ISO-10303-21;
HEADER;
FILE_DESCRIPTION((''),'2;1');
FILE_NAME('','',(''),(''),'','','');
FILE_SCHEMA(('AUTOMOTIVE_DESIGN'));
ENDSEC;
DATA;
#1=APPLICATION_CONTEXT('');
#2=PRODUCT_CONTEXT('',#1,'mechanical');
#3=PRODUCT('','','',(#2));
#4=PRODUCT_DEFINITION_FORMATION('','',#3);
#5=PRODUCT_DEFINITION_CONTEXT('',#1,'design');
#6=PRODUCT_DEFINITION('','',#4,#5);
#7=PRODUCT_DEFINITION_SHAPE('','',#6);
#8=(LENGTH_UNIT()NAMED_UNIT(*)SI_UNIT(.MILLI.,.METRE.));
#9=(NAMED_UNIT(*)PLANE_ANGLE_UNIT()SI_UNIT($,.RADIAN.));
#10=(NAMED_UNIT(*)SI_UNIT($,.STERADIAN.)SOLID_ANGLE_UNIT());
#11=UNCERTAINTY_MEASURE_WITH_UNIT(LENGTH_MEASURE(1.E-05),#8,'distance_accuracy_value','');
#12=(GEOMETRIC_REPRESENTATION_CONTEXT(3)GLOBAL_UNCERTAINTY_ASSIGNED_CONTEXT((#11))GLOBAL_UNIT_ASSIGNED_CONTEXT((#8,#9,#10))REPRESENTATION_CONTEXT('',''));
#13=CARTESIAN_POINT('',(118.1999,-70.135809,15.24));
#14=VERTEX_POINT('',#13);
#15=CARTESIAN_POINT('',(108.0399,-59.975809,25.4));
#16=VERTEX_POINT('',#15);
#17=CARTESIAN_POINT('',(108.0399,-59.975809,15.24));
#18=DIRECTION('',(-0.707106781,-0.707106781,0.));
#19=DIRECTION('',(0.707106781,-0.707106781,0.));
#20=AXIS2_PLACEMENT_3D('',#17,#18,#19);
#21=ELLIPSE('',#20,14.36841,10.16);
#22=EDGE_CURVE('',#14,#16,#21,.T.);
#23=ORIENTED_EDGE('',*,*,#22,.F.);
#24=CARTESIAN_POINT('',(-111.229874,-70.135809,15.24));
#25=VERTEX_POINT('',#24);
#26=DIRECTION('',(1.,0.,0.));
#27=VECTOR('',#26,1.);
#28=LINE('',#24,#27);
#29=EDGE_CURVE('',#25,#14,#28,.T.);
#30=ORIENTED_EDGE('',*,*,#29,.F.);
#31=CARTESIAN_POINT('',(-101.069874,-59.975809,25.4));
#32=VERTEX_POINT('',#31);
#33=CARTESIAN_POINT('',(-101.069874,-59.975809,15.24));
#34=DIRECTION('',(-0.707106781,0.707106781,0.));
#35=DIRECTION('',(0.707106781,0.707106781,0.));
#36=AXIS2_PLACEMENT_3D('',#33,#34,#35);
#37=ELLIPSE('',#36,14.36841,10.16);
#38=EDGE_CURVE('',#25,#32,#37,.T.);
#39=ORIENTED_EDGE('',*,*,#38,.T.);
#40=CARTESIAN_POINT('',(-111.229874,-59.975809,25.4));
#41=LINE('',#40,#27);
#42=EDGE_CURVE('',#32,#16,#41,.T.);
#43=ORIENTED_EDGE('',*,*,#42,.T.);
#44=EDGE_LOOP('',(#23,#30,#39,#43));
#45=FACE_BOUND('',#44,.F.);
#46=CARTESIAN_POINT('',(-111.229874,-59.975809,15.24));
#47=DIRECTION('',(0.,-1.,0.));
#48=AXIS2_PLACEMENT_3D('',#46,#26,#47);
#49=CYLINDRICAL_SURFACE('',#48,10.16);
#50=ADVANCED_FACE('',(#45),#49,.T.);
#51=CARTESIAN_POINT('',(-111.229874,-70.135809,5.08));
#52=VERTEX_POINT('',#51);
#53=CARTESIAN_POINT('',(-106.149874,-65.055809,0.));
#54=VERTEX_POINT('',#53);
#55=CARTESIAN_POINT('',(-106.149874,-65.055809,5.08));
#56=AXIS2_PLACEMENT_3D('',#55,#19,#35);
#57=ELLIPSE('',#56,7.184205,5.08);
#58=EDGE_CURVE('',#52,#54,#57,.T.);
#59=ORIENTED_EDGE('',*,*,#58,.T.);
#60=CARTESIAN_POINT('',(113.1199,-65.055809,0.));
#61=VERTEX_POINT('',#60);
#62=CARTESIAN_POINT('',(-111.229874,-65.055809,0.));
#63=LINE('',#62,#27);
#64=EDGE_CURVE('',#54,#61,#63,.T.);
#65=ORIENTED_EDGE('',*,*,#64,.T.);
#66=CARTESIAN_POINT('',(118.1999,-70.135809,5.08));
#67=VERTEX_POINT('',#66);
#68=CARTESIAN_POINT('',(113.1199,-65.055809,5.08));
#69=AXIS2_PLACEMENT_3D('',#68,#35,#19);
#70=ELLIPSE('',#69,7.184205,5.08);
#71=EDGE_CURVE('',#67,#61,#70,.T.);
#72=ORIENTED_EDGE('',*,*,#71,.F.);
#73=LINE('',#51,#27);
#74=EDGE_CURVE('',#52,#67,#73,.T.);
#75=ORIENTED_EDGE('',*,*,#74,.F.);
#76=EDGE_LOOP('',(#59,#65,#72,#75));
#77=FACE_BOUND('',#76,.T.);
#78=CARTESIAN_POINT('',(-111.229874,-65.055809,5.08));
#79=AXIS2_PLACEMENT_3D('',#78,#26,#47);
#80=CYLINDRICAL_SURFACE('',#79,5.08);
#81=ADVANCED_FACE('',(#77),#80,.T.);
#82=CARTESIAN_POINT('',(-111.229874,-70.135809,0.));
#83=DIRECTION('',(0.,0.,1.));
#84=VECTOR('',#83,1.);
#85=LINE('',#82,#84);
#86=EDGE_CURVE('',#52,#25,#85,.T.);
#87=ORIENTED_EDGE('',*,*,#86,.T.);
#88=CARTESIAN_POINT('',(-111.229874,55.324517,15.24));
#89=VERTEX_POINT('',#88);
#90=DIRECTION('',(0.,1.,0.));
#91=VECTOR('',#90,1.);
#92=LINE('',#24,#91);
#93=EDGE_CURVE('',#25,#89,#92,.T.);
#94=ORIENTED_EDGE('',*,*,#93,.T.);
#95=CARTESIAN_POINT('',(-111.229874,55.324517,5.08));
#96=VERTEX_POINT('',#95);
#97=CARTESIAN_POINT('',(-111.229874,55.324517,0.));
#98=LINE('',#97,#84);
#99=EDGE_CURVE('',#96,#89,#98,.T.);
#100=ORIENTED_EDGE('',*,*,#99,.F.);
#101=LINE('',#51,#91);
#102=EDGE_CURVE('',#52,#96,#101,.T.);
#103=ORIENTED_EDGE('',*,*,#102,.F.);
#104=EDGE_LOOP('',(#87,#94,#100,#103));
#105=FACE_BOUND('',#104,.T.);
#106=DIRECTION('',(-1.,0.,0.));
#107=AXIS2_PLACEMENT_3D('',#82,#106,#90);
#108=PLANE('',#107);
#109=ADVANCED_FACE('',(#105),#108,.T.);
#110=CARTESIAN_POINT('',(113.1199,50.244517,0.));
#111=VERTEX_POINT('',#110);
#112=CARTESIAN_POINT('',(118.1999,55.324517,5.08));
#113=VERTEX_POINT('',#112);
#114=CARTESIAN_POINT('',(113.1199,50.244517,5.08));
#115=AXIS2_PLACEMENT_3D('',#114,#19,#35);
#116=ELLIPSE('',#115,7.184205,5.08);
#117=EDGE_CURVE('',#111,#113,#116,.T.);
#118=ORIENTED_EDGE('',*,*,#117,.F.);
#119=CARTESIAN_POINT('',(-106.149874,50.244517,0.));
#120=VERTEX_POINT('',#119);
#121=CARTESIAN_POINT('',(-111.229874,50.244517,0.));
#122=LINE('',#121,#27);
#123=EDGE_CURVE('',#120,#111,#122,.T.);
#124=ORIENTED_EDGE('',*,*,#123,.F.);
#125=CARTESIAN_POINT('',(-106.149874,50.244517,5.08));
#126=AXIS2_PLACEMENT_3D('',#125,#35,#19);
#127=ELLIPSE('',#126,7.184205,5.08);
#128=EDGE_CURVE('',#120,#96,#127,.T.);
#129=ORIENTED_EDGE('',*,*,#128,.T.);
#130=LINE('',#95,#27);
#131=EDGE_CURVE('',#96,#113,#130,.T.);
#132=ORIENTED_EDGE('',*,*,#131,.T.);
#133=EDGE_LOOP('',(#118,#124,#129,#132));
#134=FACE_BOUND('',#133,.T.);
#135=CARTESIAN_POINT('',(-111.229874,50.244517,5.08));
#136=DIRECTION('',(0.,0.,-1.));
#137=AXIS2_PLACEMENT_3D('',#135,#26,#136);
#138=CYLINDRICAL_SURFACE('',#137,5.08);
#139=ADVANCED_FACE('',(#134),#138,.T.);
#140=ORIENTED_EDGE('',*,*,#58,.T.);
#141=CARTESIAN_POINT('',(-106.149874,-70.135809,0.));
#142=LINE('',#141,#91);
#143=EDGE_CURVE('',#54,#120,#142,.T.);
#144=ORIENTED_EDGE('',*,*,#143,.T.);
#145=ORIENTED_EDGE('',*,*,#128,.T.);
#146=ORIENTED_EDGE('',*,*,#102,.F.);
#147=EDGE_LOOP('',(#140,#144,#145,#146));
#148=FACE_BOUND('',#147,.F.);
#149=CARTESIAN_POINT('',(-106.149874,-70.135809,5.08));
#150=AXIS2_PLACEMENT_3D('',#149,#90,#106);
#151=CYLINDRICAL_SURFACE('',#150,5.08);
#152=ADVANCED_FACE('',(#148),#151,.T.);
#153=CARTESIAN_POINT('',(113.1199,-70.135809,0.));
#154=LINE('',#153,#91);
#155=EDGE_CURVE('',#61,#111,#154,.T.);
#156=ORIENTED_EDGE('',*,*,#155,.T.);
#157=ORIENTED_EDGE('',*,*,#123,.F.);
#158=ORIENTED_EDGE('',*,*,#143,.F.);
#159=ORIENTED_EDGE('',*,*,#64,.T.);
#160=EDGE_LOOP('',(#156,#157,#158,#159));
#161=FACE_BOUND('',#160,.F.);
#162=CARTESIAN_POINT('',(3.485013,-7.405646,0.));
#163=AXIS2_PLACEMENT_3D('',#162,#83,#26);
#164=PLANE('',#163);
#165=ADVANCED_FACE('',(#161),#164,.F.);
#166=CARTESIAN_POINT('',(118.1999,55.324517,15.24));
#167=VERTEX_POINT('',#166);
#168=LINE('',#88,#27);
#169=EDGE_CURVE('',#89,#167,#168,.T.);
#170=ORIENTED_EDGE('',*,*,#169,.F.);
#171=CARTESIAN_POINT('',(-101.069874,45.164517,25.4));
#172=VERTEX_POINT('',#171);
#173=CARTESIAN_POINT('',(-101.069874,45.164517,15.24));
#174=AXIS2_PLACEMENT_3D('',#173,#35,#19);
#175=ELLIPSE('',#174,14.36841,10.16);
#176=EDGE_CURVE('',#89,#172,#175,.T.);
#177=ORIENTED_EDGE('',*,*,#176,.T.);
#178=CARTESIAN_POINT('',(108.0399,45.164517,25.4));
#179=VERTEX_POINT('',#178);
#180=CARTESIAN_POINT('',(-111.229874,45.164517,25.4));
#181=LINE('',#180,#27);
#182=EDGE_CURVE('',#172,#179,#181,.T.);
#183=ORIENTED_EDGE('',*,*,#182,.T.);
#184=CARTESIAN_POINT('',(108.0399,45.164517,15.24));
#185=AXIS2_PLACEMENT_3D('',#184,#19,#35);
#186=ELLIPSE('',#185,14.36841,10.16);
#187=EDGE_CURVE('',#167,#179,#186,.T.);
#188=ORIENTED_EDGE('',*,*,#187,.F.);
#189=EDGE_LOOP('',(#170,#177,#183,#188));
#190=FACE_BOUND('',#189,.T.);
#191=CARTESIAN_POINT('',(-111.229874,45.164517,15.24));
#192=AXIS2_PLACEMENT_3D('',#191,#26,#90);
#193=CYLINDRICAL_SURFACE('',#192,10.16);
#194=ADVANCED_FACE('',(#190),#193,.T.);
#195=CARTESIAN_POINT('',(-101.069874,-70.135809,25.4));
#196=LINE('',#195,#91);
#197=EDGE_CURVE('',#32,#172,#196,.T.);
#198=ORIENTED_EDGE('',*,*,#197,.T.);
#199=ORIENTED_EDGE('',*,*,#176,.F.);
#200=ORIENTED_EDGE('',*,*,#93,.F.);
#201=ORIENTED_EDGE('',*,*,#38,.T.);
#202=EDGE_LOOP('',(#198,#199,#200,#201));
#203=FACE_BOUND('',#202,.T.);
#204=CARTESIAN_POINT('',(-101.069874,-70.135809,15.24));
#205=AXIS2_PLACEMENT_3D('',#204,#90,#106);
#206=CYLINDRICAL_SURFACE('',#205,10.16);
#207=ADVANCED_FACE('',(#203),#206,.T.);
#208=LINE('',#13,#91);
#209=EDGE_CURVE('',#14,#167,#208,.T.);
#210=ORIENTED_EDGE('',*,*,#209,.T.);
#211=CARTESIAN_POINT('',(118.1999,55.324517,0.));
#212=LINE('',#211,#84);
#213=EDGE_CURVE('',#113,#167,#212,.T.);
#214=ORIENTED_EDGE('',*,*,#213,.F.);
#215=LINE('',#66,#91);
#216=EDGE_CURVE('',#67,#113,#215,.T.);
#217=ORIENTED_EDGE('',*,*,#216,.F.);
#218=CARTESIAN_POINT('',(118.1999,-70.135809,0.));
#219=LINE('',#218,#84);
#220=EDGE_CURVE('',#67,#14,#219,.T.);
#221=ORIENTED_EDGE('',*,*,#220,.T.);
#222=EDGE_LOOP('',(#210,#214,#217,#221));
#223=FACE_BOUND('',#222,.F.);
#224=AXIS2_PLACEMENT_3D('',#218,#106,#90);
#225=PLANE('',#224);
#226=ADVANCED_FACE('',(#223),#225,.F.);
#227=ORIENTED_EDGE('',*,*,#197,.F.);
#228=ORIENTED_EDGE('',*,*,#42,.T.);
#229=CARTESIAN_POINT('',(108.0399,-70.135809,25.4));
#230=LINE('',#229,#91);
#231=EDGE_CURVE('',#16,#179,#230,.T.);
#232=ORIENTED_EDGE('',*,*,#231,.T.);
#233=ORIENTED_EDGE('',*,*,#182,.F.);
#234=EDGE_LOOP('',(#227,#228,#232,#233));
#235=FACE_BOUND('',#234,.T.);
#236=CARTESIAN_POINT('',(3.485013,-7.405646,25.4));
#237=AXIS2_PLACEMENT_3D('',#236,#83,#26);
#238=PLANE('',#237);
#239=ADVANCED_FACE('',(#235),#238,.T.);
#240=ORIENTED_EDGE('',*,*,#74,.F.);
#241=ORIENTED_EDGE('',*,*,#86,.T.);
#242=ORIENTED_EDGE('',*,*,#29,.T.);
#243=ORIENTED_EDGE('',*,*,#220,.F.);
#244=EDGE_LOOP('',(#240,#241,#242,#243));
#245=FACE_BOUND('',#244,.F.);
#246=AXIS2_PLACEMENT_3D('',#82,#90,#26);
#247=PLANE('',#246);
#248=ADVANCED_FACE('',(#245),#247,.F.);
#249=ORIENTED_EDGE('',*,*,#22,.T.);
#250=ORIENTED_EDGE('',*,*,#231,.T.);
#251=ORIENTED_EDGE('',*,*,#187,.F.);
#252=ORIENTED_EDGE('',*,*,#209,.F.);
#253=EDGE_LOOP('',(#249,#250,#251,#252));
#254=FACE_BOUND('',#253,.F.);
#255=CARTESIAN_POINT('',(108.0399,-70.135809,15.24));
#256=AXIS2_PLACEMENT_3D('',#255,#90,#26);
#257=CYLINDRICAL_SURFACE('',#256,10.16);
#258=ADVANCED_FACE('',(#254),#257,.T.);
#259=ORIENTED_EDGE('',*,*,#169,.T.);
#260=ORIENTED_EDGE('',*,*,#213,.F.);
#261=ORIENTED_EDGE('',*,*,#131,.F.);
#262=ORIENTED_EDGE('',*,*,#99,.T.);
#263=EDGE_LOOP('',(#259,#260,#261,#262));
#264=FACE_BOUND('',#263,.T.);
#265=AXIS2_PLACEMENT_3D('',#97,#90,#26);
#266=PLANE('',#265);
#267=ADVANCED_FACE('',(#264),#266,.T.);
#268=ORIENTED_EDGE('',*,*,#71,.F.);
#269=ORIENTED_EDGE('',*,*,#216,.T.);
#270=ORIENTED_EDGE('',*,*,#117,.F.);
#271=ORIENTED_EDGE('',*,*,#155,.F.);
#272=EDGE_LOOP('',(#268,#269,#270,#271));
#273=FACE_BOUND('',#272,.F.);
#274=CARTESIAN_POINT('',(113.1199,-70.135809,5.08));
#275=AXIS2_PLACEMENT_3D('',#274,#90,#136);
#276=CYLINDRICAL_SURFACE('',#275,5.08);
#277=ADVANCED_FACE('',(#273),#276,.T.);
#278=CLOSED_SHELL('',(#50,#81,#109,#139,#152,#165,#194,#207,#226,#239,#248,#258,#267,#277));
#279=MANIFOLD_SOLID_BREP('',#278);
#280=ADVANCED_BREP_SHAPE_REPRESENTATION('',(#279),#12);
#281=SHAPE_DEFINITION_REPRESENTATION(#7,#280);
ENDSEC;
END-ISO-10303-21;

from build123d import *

# Parameters (mm, degrees)
F0_W     = 229.429774
F0_H     = 125.460326
F1_DEPTH = 25.4
F2_R     = 10.16
F3_R     = 5.08


with BuildPart() as f1:
    # F0 (on Top) → F1 (new body)
    with BuildSketch(Plane.XY):
        with Locations((3.485013, -7.405646)):
            Rectangle(F0_W, F0_H)
    extrude(amount=F1_DEPTH)

    # F2
    f2_edges = [f1.edges().sort_by_distance(p)[0] for p in [
        (3.485013, 55.324517, 25.4),
        (-111.229874, -7.405646, 25.4),
        (3.485013, -70.135809, 25.4),
        (118.1999, -7.405646, 25.4),
    ]]
    fillet(f2_edges, radius=F2_R)

    # F3
    f3_edges = [f1.edges().sort_by_distance(p)[0] for p in [
        (3.485013, 55.324517, 0),
        (-111.229874, -7.405646, 0),
        (3.485013, -70.135809, 0),
        (118.1999, -7.405646, 0),
    ]]
    fillet(f3_edges, radius=F3_R)


solid = f1.part
